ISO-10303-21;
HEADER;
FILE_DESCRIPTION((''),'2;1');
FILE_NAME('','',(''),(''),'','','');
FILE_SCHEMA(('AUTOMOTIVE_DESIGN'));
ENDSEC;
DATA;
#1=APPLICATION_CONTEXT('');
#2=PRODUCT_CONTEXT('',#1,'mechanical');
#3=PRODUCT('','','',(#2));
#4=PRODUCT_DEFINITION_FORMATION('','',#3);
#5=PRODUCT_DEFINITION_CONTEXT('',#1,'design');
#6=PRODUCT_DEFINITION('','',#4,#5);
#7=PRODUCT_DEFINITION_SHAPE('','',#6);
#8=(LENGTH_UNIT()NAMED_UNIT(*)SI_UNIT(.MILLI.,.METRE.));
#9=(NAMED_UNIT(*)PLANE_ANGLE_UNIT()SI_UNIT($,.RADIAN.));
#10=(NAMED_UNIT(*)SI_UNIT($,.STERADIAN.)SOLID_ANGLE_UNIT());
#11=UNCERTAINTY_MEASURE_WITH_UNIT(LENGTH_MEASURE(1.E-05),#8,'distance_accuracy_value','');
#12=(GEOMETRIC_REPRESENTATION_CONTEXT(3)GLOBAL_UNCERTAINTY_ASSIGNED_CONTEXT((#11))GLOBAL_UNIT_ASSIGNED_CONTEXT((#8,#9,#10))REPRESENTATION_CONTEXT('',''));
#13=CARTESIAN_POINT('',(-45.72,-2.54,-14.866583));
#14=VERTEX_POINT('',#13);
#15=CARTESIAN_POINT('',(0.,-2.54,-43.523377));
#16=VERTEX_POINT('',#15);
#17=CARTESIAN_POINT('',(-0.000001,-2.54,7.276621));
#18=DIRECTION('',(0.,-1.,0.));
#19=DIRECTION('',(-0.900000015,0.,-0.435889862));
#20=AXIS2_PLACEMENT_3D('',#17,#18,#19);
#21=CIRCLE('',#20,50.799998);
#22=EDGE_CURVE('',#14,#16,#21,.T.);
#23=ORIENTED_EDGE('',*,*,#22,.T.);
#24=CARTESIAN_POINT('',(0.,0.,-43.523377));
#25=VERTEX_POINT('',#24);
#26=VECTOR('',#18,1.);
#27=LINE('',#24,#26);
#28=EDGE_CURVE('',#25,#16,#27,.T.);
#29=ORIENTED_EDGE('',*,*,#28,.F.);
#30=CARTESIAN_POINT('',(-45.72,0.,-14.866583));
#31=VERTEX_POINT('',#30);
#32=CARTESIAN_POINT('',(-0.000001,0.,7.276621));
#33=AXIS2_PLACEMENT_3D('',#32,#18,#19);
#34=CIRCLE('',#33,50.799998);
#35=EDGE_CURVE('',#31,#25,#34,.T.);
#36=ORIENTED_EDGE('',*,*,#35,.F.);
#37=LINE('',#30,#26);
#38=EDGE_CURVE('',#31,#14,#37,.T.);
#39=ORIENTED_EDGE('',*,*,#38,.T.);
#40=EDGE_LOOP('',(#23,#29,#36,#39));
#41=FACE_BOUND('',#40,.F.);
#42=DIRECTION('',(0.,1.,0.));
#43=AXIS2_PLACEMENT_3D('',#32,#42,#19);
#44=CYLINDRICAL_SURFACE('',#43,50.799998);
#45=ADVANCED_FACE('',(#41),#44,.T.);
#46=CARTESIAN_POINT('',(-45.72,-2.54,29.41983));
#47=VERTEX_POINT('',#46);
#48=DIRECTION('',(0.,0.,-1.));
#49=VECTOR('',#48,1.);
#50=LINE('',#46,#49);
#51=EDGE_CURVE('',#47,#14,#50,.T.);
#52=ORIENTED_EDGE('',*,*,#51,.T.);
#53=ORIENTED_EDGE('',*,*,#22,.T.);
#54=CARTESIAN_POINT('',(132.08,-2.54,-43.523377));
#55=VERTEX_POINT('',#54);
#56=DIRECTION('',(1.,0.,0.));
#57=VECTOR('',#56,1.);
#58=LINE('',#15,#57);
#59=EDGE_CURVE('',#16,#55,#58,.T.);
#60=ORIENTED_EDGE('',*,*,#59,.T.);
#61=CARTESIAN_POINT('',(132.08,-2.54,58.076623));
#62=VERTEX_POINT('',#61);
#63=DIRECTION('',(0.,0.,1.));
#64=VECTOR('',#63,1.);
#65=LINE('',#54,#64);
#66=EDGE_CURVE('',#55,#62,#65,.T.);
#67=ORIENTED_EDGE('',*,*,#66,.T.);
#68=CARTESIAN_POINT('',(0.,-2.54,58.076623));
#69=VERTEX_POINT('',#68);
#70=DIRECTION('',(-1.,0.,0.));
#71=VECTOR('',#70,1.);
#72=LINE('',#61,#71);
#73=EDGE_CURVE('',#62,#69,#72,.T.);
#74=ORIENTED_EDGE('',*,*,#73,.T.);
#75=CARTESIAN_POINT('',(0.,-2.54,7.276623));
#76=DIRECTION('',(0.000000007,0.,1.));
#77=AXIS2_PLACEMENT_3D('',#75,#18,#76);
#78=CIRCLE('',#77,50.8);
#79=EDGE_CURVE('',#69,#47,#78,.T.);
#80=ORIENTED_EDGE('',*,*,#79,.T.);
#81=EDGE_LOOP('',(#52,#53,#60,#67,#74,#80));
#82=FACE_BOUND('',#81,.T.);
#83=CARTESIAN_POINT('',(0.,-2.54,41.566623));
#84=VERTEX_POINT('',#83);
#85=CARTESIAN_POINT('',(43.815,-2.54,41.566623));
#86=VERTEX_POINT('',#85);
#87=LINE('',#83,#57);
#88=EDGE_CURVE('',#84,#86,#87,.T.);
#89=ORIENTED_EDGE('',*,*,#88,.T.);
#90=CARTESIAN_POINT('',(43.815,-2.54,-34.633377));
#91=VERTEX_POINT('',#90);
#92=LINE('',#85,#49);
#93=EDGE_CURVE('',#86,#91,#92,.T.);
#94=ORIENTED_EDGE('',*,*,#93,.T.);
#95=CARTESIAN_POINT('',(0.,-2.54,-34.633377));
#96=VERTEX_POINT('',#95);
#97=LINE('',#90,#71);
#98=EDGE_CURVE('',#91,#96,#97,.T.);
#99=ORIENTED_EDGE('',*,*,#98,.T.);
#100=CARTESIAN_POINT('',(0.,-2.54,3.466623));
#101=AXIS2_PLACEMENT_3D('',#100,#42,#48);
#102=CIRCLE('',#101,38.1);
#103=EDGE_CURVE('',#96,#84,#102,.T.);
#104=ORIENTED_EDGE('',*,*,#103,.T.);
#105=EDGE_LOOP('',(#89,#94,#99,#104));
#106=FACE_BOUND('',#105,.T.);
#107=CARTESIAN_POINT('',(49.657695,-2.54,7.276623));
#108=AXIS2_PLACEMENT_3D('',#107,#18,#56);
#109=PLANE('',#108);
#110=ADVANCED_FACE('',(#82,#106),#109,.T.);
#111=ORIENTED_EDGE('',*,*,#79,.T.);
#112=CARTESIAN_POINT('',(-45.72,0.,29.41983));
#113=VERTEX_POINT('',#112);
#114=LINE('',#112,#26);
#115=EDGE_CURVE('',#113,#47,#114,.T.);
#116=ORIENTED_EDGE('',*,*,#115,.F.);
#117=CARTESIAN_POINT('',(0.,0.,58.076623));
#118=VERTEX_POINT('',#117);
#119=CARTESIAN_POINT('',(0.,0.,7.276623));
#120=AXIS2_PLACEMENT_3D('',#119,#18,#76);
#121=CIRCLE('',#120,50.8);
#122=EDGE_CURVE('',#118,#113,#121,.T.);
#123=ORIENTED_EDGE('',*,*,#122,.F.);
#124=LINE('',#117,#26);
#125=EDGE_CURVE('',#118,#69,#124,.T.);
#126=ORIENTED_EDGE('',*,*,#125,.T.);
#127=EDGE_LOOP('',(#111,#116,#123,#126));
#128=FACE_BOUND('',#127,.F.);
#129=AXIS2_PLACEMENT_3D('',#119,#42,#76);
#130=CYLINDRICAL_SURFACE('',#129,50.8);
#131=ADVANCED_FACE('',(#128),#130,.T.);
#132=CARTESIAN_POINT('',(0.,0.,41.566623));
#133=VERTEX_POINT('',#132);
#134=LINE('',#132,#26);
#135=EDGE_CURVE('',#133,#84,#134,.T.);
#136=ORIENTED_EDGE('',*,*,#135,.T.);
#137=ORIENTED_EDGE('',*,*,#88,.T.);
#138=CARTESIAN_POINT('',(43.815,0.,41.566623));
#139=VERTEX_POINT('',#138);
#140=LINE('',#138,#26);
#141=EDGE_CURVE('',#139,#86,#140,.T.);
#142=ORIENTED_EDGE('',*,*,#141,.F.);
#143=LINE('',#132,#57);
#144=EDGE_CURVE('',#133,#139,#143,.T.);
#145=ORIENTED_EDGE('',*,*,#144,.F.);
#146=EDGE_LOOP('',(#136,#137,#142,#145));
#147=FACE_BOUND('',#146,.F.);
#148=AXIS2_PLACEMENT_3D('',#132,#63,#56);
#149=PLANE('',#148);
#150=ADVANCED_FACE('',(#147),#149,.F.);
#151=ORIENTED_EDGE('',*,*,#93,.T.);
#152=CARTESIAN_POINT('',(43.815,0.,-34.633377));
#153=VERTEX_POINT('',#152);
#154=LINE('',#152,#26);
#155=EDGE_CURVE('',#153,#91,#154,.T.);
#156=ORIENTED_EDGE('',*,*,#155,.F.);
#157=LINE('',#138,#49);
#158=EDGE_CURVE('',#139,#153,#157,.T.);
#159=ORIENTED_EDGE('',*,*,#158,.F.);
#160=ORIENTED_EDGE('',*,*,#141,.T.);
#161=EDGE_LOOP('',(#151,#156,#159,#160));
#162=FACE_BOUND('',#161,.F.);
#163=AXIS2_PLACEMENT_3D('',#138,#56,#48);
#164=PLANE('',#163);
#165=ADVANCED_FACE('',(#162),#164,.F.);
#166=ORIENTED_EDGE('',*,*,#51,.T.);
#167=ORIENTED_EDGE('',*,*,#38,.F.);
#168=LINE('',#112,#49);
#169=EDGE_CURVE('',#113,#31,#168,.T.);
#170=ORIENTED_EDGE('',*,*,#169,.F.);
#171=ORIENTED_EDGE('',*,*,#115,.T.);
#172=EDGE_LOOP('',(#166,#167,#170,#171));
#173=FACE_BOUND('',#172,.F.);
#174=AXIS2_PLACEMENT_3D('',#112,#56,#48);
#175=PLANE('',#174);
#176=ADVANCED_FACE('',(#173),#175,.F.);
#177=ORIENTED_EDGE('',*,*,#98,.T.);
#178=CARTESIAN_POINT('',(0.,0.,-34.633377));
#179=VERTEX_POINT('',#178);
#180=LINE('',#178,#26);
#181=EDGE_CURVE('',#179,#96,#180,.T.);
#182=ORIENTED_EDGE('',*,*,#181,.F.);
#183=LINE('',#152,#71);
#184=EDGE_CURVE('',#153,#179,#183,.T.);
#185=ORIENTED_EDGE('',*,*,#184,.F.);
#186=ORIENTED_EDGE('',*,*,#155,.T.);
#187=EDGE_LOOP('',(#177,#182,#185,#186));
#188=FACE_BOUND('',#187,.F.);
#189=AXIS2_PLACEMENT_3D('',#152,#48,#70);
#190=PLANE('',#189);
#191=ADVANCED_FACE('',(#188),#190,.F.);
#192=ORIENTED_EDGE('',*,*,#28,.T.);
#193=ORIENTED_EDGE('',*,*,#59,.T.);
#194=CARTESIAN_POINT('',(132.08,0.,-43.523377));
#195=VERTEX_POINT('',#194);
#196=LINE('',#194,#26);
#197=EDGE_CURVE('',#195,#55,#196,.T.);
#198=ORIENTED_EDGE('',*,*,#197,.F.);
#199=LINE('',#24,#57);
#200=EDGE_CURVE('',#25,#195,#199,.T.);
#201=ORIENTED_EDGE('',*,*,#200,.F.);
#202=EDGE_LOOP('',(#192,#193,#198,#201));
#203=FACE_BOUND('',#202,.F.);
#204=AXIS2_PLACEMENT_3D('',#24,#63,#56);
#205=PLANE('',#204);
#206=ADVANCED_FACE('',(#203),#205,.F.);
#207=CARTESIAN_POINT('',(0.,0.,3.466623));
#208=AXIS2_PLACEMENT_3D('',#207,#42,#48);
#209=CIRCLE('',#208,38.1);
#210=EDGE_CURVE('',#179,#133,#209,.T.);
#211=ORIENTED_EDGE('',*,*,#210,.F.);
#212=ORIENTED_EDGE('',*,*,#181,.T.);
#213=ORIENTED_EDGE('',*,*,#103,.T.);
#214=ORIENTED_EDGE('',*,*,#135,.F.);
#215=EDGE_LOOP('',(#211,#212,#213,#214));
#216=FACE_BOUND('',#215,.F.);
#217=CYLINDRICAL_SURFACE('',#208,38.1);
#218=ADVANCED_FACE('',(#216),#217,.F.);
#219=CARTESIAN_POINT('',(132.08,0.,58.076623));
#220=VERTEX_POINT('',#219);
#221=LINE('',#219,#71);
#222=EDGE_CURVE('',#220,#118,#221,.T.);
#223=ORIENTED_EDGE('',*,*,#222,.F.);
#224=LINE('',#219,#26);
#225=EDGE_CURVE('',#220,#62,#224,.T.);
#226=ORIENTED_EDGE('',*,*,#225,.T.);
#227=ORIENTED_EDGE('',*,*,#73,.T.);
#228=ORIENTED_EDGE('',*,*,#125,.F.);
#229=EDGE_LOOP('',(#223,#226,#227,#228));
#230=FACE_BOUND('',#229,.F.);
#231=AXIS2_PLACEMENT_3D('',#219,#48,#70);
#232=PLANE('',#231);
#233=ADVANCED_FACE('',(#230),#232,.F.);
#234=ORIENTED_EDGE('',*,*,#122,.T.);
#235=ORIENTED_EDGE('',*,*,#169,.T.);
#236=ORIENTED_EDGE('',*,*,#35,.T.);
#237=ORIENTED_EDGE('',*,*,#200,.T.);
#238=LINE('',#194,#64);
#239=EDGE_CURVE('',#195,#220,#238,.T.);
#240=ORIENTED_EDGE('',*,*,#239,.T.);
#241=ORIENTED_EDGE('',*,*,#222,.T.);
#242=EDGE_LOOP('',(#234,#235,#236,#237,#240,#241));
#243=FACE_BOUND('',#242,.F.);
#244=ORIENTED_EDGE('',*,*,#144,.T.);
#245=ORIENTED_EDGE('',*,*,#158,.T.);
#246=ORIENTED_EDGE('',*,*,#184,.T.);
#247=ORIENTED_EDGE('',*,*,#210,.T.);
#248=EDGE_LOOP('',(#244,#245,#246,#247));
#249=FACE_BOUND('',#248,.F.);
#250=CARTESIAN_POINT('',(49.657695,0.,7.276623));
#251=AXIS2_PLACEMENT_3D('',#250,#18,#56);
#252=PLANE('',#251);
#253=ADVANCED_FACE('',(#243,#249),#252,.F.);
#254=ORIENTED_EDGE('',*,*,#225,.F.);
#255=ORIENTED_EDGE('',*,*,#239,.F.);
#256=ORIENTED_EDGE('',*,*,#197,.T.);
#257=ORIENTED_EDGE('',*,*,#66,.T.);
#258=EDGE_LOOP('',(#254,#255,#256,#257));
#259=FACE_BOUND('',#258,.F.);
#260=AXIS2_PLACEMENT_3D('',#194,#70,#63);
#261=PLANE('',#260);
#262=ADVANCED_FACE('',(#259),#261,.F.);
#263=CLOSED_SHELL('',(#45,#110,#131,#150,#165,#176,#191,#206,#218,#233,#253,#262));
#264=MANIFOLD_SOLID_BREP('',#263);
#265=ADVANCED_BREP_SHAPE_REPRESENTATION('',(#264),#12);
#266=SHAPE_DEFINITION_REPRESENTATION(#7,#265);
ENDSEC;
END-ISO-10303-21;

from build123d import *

# Parameters (mm, degrees)
F1_DEPTH = 2.54


with BuildPart() as f1:
    # F0 (on Front) → F1 (new body)
    with BuildSketch(Plane.XZ):
        with BuildLine():
            Line((-45.72, 29.41983), (-45.72, -14.866583))
            ThreePointArc((-45.72, -14.866583), (-26.979299, -35.767046), (0, -43.523377))
            Line((0, -43.523377), (132.08, -43.523377))
            Line((132.08, -43.523377), (132.08, 58.076623))
            Line((132.08, 58.076623), (0, 58.076623))
            ThreePointArc((0, 58.076623), (-26.979299, 50.320292), (-45.72, 29.41983))
        make_face()
        with BuildLine():
            ThreePointArc((0, -34.633377), (-38.1, 3.466623), (0, 41.566623))
            Line((0, 41.566623), (43.815, 41.566623))
            Line((43.815, 41.566623), (43.815, -34.633377))
            Line((43.815, -34.633377), (0, -34.633377))
        make_face(mode=Mode.SUBTRACT)
    extrude(amount=F1_DEPTH)


solid = f1.part
